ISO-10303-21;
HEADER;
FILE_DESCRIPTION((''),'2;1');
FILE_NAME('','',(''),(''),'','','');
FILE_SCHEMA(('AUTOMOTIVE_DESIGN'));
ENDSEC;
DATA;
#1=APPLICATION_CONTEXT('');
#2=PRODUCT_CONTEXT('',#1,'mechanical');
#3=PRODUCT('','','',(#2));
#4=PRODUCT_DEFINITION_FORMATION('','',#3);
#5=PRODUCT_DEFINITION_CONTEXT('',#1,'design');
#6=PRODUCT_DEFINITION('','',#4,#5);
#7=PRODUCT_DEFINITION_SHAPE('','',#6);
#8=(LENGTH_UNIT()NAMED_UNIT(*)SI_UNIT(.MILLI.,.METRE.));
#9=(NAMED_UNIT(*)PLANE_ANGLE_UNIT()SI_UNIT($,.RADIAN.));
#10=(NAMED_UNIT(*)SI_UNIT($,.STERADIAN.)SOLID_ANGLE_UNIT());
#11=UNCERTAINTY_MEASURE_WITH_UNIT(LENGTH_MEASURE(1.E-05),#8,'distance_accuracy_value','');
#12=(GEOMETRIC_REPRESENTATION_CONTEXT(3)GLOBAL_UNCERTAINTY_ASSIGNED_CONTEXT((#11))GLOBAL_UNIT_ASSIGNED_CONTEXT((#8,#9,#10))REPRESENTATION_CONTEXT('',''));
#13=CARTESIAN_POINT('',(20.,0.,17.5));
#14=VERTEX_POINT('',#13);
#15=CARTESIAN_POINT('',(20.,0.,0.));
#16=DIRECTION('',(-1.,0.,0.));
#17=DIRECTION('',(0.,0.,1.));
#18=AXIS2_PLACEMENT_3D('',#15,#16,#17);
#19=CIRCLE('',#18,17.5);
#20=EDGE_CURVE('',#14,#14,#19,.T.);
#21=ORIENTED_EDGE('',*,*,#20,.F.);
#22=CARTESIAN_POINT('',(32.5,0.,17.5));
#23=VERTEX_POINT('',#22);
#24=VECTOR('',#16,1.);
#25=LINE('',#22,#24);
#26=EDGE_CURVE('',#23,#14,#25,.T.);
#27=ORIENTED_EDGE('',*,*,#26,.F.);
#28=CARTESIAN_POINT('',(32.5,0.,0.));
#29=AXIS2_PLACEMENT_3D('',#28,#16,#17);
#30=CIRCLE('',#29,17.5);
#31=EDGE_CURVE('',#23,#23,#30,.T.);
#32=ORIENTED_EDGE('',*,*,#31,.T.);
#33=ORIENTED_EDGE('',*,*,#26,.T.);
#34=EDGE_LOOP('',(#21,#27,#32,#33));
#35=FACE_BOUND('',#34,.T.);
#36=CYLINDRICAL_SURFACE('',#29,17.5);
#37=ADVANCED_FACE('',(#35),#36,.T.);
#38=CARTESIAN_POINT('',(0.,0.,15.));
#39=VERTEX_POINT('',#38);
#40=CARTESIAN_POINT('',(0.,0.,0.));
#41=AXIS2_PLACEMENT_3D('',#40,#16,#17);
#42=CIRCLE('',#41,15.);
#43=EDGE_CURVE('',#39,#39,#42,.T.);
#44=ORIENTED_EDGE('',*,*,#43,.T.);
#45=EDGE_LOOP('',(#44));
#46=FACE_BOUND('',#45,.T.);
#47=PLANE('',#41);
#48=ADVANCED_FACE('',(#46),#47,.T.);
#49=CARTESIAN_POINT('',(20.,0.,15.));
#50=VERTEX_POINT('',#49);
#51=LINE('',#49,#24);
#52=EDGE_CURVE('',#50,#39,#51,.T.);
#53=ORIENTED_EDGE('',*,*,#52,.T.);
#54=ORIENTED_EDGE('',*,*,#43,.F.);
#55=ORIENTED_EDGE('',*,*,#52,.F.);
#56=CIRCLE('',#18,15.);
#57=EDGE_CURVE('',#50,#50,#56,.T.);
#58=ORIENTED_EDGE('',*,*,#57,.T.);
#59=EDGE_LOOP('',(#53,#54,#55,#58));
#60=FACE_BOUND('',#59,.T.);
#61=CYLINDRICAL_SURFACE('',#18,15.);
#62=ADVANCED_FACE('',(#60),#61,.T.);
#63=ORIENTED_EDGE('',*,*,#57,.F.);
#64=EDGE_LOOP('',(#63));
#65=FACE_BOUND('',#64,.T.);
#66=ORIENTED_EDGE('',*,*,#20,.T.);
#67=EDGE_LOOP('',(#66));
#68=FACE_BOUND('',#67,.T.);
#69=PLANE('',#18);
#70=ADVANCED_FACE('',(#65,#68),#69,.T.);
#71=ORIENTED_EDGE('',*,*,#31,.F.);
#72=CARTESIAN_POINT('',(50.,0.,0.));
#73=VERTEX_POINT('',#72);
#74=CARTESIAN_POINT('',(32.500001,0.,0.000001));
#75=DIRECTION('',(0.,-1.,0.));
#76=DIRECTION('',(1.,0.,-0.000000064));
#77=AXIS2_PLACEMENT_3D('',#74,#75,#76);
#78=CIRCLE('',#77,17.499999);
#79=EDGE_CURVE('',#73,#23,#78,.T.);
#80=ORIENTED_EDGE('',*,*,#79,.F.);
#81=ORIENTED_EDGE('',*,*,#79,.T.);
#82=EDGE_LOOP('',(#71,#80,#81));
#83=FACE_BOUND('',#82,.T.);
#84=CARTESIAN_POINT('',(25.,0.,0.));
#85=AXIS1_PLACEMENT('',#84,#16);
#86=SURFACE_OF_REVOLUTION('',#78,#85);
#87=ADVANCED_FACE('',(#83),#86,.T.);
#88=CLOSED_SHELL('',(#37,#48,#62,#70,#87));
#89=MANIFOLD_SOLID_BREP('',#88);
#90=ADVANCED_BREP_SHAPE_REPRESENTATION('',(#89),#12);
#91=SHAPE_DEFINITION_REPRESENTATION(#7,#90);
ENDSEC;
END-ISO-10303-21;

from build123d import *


with BuildPart() as f1:
    # F0 (on Front) → F1 (revolve)
    with BuildSketch(Plane.XZ):
        with BuildLine():
            Line((20, 15), (0, 15))
            Line((0, 15), (0, 0))
            Line((0, 0), (50, 0))
            ThreePointArc((50, 0), (44.874369, 12.374369), (32.5, 17.5))
            Line((32.5, 17.5), (20, 17.5))
            Line((20, 17.5), (20, 15))
        make_face()
    revolve(axis=Axis((25, 0, 0), (-1, 0, 0)))


solid = f1.part
